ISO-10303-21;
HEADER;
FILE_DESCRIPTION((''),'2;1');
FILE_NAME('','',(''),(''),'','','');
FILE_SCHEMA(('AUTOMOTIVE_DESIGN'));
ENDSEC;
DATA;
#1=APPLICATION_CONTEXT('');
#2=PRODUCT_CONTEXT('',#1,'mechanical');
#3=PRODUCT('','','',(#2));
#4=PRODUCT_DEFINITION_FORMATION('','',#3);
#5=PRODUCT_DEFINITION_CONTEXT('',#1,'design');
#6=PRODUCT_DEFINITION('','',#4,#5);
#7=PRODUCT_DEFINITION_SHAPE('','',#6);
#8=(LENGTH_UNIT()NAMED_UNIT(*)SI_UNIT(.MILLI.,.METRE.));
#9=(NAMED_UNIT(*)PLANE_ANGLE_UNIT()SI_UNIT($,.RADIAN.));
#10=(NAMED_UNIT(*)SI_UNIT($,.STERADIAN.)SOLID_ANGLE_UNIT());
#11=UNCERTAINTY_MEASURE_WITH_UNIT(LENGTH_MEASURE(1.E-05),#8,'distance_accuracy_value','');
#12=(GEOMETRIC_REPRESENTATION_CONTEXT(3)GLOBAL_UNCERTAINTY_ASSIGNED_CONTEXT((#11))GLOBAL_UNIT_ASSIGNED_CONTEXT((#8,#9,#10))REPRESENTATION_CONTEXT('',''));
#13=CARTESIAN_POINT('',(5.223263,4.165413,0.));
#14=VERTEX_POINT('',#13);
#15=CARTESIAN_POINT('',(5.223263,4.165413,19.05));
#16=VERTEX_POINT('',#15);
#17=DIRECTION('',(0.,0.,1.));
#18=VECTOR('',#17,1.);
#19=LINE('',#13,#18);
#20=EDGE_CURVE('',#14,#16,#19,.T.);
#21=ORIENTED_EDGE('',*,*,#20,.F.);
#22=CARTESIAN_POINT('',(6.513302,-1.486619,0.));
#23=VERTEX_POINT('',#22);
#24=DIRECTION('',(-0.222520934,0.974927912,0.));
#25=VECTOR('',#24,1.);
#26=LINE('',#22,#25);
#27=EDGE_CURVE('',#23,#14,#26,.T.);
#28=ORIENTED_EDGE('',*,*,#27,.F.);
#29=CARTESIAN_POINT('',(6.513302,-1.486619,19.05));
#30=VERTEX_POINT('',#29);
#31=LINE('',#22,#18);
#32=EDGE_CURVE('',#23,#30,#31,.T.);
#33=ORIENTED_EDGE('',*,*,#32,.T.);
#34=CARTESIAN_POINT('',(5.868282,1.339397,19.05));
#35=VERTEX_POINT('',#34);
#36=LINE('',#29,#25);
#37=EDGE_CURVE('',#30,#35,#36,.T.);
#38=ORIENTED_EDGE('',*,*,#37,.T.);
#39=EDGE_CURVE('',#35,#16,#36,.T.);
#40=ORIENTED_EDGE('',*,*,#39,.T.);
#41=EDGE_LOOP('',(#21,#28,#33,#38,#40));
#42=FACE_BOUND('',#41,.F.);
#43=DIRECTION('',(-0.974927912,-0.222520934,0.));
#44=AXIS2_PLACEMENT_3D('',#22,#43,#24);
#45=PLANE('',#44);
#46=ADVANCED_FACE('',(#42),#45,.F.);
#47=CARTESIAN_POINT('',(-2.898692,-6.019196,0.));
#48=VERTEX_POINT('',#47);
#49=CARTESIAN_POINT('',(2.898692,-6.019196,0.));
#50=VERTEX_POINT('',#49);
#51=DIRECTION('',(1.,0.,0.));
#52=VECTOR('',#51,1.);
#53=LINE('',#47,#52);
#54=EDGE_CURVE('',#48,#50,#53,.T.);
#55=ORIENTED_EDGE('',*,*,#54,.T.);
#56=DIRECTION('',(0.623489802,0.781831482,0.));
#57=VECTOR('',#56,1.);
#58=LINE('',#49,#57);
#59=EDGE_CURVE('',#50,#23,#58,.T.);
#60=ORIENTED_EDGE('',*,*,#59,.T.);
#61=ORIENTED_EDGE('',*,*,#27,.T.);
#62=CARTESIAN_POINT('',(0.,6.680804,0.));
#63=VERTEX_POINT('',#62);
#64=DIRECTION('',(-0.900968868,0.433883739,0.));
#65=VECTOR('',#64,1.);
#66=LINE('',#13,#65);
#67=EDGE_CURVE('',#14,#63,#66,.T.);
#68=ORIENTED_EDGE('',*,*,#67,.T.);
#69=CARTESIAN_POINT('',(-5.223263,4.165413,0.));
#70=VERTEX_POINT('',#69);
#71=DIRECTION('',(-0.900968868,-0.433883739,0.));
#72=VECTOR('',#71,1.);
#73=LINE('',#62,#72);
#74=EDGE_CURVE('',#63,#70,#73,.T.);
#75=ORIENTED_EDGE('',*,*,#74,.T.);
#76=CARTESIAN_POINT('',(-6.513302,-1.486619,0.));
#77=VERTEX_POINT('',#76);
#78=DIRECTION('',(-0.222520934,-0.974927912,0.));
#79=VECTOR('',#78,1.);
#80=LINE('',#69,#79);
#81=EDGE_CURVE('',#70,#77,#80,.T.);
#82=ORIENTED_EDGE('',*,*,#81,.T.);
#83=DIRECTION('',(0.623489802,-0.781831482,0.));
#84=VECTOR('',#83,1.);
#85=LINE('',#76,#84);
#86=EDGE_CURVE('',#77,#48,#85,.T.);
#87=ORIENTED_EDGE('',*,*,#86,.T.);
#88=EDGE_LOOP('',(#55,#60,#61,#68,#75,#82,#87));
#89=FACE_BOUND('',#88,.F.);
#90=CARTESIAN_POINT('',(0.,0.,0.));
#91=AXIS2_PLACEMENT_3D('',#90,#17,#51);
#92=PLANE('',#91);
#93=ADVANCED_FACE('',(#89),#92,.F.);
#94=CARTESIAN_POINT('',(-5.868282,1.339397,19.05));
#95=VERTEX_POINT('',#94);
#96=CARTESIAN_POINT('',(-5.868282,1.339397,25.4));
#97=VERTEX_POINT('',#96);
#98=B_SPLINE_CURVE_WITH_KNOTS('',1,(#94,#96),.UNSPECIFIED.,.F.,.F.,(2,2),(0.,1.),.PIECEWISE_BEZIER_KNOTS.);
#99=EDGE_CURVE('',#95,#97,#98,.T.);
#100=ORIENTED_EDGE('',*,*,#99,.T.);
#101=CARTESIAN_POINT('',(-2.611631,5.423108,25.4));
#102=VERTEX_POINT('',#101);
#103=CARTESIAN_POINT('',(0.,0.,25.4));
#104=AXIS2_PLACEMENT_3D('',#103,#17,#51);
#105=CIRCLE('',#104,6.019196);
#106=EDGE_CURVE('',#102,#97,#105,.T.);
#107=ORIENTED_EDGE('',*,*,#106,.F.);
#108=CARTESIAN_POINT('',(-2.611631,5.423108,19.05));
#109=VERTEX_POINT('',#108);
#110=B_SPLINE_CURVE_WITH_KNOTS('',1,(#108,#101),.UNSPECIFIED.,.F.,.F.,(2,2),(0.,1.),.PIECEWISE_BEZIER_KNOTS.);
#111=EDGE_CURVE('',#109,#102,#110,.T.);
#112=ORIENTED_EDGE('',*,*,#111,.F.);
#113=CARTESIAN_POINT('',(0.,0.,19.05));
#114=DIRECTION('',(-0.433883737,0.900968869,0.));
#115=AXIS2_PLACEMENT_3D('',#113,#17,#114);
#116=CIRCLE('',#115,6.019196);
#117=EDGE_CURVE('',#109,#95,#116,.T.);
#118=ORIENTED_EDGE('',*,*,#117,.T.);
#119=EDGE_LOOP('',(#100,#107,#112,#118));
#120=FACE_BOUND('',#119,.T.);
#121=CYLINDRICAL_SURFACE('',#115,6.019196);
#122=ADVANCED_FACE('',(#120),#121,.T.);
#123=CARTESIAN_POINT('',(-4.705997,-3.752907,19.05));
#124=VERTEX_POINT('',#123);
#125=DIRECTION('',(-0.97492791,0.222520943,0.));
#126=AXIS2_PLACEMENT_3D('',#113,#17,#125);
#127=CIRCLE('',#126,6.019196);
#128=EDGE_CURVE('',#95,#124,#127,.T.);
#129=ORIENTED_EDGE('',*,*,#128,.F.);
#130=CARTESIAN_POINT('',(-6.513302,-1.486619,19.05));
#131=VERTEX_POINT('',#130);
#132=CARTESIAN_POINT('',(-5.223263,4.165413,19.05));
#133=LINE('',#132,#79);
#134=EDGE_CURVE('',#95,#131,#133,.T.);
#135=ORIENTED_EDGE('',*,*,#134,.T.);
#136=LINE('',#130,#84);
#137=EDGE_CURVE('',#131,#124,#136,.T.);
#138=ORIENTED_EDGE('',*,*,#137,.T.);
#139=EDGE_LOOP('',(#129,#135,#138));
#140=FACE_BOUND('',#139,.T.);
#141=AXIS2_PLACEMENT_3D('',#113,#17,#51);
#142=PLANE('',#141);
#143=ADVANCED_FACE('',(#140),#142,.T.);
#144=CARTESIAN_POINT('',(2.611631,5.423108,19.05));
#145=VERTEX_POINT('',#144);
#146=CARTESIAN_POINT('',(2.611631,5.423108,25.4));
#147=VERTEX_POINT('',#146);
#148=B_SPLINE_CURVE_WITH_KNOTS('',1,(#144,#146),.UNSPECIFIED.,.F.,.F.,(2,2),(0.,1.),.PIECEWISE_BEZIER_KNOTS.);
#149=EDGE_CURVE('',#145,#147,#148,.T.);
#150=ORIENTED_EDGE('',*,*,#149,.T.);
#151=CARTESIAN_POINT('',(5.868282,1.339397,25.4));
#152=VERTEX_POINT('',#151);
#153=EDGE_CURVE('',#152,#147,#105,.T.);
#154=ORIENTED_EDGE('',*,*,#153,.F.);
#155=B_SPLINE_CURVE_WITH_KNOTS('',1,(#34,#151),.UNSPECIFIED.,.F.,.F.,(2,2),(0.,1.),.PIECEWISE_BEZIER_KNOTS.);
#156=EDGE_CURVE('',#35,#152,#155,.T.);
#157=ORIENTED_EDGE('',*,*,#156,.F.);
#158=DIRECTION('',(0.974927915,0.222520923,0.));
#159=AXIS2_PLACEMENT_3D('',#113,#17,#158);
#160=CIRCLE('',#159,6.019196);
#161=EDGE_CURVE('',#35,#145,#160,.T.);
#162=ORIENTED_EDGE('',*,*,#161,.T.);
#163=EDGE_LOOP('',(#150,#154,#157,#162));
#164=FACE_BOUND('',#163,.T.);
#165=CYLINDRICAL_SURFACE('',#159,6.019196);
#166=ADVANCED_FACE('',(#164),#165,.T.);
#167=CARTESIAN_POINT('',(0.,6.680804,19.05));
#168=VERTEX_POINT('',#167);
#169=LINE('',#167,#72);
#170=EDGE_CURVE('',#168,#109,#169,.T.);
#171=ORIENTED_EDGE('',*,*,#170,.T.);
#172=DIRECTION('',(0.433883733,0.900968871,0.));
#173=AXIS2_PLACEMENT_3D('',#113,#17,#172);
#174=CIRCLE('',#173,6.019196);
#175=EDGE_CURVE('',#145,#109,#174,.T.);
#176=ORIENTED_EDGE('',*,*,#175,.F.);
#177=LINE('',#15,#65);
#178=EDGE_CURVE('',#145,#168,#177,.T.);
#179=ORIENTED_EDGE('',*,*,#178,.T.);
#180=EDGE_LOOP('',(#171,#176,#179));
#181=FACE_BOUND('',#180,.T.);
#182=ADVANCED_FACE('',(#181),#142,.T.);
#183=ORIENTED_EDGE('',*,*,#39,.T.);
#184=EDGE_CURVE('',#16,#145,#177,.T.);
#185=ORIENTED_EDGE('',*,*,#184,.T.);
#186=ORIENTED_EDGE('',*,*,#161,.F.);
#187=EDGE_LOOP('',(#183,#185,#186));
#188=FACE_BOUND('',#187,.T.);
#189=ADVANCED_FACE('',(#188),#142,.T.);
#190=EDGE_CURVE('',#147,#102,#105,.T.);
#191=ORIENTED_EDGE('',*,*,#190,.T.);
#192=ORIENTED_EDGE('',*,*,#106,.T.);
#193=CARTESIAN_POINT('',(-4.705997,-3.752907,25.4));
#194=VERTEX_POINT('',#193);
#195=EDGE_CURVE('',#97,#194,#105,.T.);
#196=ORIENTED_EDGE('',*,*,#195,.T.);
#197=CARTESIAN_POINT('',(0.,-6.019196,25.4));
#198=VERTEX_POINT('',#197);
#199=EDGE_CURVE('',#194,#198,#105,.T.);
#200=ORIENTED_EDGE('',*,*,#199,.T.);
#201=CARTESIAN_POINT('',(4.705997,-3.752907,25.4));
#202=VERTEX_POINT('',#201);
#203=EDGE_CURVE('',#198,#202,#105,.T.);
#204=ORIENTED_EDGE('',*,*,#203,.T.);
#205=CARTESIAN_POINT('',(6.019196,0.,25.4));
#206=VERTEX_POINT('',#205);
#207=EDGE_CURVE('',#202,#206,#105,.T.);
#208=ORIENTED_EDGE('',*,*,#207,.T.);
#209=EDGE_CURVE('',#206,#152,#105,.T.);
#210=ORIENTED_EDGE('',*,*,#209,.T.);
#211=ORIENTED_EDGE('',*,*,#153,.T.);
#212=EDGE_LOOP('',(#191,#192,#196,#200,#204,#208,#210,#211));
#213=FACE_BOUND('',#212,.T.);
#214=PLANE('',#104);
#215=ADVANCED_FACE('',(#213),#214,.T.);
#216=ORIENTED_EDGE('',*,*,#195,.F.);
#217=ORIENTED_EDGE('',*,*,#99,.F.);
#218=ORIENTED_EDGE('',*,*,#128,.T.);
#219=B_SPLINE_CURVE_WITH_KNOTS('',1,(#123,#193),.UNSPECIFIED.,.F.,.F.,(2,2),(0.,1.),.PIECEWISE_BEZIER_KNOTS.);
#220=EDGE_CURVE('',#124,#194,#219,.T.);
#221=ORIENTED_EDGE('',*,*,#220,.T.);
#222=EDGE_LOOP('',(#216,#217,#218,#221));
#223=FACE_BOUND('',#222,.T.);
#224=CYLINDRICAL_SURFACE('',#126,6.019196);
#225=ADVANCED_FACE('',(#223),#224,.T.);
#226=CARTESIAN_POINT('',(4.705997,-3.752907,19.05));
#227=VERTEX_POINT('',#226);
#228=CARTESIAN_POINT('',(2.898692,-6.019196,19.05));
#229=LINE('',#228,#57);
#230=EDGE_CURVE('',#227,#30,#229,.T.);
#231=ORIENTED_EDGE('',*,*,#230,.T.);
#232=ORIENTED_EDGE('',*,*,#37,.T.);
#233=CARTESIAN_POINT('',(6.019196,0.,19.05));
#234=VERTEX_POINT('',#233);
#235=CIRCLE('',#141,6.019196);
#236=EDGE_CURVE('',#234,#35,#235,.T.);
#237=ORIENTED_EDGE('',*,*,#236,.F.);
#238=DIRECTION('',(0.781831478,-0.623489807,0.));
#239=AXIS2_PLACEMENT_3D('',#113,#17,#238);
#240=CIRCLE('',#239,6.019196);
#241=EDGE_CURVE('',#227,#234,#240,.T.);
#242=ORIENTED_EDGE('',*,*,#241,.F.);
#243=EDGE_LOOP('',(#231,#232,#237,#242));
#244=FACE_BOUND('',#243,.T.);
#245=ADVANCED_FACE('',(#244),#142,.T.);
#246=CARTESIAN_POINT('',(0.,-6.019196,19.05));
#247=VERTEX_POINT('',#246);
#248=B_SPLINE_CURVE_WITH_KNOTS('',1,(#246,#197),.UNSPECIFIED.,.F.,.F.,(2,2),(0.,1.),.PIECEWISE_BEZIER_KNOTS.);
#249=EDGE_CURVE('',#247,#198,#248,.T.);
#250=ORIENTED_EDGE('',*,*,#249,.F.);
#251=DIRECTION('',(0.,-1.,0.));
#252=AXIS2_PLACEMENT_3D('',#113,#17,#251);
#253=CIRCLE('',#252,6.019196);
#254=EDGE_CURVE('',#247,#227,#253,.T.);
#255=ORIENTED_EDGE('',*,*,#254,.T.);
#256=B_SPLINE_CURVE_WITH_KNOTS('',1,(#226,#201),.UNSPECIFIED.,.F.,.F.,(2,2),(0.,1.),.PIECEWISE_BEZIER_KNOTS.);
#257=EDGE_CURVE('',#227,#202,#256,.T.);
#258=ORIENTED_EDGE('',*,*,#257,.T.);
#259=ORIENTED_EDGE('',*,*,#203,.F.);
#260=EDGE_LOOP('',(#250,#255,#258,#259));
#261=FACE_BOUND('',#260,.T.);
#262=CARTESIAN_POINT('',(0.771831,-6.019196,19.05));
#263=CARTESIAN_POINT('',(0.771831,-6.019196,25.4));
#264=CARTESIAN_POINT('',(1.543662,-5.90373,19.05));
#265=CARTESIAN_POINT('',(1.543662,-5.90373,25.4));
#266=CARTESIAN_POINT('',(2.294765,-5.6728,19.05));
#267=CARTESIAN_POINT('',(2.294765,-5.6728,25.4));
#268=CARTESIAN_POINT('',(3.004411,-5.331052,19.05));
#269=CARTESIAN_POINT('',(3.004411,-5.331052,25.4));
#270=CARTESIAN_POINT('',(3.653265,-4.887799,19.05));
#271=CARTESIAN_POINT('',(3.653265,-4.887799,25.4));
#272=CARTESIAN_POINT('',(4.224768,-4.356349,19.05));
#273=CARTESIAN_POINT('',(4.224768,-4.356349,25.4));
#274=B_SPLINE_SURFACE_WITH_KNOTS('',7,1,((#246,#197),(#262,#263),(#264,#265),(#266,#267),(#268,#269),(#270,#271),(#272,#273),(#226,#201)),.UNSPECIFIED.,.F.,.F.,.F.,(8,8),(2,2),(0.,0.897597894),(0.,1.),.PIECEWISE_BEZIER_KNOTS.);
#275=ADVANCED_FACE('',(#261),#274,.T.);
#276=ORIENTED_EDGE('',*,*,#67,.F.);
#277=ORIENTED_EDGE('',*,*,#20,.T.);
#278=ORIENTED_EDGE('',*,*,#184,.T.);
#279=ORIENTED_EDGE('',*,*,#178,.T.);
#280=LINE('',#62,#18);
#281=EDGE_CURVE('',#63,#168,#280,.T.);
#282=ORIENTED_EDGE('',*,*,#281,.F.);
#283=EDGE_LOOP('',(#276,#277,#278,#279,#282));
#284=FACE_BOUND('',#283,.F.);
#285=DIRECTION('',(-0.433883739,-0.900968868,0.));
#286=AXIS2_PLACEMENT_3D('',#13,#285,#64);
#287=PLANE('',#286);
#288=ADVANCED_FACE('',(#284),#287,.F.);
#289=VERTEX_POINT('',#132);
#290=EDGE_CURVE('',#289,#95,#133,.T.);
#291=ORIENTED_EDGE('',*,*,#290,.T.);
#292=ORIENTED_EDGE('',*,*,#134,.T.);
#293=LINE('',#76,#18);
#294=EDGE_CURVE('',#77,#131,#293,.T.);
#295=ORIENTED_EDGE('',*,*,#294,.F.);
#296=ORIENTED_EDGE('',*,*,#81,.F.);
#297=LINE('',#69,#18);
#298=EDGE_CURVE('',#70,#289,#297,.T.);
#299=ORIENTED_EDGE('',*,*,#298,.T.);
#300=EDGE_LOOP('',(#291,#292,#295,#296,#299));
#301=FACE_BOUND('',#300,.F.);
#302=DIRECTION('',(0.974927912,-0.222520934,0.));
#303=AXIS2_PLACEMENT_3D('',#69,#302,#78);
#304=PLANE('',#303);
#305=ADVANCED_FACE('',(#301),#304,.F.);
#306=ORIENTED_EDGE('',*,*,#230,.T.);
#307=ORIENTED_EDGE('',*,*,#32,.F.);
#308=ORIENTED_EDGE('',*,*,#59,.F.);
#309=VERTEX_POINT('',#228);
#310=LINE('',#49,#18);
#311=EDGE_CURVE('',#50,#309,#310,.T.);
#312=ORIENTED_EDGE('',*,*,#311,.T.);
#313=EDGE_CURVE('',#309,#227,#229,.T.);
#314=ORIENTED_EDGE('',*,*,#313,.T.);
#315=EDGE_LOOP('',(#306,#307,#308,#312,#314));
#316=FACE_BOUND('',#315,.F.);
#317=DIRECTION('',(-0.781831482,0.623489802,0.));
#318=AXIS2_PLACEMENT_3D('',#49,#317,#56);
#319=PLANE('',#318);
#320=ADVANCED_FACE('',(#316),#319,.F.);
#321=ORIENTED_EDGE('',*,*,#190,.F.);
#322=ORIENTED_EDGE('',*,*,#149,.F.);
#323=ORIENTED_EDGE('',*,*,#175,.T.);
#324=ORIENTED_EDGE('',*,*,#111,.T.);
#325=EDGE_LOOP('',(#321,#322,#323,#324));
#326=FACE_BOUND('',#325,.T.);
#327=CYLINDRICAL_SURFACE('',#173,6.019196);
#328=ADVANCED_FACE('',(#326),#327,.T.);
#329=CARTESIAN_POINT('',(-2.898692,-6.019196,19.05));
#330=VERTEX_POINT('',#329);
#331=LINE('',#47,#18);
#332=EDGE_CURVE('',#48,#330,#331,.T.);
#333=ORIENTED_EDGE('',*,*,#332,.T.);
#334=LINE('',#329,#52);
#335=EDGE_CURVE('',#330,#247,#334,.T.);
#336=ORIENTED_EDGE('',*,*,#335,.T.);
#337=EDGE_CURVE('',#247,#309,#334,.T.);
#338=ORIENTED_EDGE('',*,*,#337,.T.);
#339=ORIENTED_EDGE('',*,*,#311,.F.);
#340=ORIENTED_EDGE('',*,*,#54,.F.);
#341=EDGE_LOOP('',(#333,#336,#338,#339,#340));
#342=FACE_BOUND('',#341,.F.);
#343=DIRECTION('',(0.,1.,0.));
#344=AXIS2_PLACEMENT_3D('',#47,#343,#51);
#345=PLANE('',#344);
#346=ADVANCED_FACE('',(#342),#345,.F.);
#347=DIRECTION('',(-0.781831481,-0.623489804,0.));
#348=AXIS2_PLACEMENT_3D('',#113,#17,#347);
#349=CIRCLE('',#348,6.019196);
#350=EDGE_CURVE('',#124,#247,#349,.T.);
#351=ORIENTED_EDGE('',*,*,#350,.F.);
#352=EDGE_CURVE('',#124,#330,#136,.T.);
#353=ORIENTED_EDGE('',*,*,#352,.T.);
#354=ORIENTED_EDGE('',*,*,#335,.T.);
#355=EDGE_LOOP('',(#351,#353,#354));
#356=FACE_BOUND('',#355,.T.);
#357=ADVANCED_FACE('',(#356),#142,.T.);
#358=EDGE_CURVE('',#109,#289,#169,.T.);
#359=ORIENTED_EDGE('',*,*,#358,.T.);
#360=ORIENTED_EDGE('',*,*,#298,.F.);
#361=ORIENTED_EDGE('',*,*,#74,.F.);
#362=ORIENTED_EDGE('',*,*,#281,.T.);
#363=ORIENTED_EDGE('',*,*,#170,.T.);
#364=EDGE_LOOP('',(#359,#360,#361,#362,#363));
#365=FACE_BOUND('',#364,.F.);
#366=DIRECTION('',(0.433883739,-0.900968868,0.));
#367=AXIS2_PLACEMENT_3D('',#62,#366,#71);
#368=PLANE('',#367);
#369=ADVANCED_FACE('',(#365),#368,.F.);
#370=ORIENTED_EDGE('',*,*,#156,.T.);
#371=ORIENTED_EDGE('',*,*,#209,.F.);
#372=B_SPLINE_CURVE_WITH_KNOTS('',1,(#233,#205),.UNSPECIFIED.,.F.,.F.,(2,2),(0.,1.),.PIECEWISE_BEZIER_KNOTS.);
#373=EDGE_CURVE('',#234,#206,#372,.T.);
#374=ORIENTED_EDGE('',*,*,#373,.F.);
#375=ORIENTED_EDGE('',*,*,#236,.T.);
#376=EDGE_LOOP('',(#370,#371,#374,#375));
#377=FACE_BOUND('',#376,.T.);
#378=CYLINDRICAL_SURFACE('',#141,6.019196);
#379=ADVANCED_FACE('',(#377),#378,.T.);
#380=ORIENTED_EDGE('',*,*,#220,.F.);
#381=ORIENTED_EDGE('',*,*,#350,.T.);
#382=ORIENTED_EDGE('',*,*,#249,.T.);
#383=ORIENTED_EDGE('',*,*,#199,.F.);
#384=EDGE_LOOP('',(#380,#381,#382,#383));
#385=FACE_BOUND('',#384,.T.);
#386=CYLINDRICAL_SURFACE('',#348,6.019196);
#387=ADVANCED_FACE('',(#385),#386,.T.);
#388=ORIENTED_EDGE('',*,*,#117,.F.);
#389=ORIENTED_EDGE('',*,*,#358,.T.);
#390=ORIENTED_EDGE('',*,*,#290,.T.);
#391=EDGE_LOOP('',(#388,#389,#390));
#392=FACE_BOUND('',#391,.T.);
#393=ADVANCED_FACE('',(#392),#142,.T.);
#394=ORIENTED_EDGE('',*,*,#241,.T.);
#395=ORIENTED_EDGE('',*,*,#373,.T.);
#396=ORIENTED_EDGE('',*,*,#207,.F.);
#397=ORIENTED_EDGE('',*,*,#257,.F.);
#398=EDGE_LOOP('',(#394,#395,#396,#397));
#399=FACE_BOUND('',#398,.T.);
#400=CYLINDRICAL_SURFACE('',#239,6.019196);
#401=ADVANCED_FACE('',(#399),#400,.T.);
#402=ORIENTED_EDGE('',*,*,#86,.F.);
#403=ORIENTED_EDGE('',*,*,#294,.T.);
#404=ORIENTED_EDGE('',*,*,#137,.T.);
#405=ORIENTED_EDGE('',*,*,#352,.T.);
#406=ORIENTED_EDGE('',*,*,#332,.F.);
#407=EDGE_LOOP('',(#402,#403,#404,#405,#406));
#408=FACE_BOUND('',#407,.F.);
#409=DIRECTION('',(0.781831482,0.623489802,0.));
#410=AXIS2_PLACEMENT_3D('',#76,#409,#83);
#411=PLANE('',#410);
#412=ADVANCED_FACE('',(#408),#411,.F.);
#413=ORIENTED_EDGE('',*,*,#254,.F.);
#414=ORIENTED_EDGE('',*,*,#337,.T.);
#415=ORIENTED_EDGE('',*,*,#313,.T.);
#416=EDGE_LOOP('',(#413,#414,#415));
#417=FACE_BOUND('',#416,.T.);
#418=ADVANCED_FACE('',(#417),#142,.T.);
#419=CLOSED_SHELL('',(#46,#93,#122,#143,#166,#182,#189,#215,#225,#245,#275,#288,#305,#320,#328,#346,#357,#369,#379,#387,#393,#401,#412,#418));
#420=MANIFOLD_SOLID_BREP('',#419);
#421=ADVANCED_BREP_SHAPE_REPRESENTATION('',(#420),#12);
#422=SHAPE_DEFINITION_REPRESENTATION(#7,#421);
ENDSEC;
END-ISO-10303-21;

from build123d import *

# Parameters (mm, degrees)
F0_R     = 4.7625
F1_DEPTH = 19.05
F4_R     = 6.0191962191


with BuildPart() as f1:
    # F0 (on Top) → F1 (new body)
    with BuildSketch(Plane.XY):
        Polygon((5.2232627241, 4.1654130256), (0, 6.6808037809), (-5.2232627241, 4.1654130256), (-6.5133020818, -1.4866186969), (-2.8986921248, -6.0191962191), (2.8986921248, -6.0191962191), (6.5133020818, -1.4866186969), align=None)
        Circle(F0_R, mode=Mode.SUBTRACT)
        Circle(F0_R)
    extrude(amount=F1_DEPTH)

    # F2 (on face) → F5 section 0
    with BuildSketch(Plane.XY.offset(19.05)):
        with BuildLine():
            ThreePointArc((4.7059970769, -3.7529074911), (5.6814189661, -1.9880145009), (6.0191962191, 0))
            ThreePointArc((6.0191962191, 0), (5.9813487804, 0.6739361184), (5.8682824176, 1.3393970999))
            ThreePointArc((5.8682824176, 1.3393970999), (4.7059971119, 3.7529074472), (2.6116313274, 5.4231084199))
            ThreePointArc((2.6116313274, 5.4231084199), (-1.32e-08, 6.0191962191), (-2.6116313513, 5.4231084084))
            ThreePointArc((-2.6116313513, 5.4231084084), (-4.7059970812, 3.7529074856), (-5.8682823899, 1.3393972216))
            ThreePointArc((-5.8682823899, 1.3393972216), (-5.8682824076, -1.3393971439), (-4.7059970929, -3.752907471))
            ThreePointArc((-4.7059970929, -3.752907471), (-2.6116313545, -5.4231084068), (0, -6.0191962191))
            ThreePointArc((0, -6.0191962191), (2.611631343, -5.4231084124), (4.7059970769, -3.7529074911))
        make_face()
    # F4 (on offset) → F5 section 1
    with BuildSketch(Plane.XY.offset(25.4)):
        Circle(F4_R)
    loft()


solid = f1.part
